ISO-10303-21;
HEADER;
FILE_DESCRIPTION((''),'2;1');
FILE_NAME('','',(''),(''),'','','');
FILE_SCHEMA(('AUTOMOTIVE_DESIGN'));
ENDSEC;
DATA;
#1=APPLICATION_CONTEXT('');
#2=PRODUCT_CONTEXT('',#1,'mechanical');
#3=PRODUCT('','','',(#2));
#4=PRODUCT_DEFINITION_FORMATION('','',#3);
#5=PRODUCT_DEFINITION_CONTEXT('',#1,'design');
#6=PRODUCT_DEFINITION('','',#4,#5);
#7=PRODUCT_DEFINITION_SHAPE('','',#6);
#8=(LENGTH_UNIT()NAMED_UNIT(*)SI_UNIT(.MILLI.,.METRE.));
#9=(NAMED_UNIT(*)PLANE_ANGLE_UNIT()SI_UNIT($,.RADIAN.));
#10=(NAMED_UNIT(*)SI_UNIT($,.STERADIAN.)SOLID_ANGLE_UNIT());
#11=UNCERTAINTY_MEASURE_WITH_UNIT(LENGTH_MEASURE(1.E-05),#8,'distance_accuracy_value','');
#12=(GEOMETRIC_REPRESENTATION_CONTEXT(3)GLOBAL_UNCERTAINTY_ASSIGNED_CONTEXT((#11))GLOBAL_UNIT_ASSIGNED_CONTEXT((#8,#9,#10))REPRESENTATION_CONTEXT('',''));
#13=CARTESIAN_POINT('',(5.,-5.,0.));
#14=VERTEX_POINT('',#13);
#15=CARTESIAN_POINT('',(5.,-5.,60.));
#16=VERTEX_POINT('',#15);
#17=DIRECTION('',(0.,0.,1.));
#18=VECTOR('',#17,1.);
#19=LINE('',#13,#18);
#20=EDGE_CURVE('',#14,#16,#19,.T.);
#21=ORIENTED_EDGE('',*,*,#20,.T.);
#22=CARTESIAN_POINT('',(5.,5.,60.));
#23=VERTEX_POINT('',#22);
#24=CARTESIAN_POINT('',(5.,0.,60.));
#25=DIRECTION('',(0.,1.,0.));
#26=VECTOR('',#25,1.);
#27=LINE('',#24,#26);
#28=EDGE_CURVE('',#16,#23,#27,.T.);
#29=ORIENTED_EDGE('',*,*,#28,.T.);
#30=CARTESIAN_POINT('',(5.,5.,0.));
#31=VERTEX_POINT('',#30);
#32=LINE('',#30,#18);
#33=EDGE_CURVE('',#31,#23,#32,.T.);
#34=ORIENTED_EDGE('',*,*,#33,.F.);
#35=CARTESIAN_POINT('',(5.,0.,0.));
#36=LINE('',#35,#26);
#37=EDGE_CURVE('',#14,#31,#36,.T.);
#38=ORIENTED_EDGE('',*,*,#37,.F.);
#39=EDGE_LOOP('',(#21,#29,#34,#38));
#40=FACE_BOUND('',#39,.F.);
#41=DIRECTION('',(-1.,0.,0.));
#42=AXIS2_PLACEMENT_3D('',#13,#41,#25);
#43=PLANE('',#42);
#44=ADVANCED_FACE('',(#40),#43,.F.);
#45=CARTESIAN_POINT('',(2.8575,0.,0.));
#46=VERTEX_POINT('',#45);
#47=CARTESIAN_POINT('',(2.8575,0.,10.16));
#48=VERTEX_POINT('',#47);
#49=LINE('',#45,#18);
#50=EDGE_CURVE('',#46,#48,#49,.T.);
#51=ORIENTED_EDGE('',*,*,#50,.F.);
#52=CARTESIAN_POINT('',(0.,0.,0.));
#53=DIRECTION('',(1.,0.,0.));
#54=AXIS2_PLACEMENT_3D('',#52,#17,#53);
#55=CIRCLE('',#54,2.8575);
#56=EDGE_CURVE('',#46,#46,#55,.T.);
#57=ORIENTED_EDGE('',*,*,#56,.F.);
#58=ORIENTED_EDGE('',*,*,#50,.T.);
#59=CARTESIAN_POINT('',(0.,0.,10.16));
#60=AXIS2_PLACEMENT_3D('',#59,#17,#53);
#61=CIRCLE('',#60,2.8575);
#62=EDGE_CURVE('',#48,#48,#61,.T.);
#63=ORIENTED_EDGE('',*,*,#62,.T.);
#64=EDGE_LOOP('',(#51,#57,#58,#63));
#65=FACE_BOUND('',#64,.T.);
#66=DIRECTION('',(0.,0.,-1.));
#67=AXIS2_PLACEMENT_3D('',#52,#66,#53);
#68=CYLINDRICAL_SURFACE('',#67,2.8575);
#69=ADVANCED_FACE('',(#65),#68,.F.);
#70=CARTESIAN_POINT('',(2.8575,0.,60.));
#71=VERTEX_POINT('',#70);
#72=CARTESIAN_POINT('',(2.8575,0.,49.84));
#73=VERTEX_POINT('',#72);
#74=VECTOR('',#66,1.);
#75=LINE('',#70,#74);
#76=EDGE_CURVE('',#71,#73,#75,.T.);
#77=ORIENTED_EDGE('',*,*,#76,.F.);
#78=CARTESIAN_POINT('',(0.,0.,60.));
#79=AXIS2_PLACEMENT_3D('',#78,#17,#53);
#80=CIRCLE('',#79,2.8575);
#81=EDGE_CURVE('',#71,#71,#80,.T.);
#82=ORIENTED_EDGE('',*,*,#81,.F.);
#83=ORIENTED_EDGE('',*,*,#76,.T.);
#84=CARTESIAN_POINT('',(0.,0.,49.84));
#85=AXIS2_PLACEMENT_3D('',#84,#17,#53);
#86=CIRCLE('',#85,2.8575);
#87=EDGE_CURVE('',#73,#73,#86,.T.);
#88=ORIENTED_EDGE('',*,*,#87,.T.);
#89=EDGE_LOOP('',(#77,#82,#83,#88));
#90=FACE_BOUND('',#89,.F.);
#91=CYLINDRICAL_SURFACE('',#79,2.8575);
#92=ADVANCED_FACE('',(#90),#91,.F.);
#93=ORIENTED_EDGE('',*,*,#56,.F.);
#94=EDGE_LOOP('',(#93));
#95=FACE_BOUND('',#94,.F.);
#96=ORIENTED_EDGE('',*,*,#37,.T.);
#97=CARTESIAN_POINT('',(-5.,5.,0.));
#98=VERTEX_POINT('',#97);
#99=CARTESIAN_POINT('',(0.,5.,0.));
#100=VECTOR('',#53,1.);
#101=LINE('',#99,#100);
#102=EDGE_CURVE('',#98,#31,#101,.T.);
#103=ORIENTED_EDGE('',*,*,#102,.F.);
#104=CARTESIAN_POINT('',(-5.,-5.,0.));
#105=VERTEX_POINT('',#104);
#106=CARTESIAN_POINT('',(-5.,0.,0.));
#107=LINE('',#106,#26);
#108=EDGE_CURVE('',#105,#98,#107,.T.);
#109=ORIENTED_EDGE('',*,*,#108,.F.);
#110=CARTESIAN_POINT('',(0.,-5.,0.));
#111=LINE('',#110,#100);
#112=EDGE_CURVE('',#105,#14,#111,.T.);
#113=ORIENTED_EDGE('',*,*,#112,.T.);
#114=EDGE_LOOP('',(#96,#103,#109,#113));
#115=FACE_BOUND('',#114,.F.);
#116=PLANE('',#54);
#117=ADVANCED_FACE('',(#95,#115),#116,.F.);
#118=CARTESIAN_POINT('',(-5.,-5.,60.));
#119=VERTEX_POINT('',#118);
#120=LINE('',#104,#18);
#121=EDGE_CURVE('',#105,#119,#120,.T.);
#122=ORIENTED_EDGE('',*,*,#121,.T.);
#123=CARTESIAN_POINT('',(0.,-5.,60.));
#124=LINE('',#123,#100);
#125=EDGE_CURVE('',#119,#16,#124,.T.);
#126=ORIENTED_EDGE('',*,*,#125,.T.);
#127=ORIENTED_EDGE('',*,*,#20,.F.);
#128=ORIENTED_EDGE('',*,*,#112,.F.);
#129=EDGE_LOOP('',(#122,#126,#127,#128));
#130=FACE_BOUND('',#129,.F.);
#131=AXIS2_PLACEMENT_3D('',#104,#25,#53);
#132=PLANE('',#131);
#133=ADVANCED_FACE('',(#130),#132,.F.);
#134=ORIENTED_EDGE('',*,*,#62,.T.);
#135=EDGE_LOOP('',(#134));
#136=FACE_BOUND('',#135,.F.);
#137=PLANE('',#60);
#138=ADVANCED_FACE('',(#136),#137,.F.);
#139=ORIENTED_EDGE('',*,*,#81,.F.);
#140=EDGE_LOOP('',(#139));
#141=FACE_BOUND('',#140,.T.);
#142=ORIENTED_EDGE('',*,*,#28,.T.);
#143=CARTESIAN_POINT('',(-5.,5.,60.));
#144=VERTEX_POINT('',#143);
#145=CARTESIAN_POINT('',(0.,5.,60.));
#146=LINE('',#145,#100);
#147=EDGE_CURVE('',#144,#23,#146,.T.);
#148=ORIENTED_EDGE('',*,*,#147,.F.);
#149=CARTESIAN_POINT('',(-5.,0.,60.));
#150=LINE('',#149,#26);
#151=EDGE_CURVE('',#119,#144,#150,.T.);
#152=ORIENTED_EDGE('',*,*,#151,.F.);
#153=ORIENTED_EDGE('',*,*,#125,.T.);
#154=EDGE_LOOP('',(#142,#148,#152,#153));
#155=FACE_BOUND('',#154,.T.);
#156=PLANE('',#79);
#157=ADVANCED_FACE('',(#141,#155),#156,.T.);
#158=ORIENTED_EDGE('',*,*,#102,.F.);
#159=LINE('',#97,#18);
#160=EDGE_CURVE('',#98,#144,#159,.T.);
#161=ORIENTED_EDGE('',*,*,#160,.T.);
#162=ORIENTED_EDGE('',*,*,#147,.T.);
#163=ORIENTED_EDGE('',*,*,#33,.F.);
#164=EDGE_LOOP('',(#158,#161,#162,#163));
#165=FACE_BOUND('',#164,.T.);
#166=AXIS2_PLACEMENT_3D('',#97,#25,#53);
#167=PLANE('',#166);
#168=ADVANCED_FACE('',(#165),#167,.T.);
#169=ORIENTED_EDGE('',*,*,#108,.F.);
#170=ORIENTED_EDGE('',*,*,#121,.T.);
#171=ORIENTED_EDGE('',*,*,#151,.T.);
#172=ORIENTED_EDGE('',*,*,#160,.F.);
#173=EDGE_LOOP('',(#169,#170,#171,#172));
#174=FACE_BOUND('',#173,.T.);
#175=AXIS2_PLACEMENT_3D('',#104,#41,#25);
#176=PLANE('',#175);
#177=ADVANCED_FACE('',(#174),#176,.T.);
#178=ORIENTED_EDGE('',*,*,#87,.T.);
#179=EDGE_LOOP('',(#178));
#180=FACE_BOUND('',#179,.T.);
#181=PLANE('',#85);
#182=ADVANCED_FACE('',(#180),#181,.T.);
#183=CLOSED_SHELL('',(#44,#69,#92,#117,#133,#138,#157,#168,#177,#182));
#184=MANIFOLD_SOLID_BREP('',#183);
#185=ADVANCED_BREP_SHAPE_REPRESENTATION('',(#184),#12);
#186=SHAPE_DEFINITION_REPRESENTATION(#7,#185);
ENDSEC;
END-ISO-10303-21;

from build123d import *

# Parameters (mm, degrees)
F0_W     = 10
F0_H     = 10
F1_DEPTH = 60
F2_R     = 2.8575
F3_DEPTH = 10.16
F4_R     = 2.8575
F5_DEPTH = 10.16


with BuildPart() as f1:
    # F0 (on Top) → F1 (new body)
    with BuildSketch(Plane.XY):
        Rectangle(F0_W, F0_H)
    extrude(amount=F1_DEPTH)

    # F2 (on Top) → F3 (cut)
    with BuildSketch(Plane.XY):
        Circle(F2_R)
    extrude(amount=F3_DEPTH, mode=Mode.SUBTRACT)

    # F4 (on face) → F5 (cut)
    with BuildSketch(Plane.XY.offset(60)):
        Circle(F4_R)
    extrude(amount=-F5_DEPTH, mode=Mode.SUBTRACT)


solid = f1.part
